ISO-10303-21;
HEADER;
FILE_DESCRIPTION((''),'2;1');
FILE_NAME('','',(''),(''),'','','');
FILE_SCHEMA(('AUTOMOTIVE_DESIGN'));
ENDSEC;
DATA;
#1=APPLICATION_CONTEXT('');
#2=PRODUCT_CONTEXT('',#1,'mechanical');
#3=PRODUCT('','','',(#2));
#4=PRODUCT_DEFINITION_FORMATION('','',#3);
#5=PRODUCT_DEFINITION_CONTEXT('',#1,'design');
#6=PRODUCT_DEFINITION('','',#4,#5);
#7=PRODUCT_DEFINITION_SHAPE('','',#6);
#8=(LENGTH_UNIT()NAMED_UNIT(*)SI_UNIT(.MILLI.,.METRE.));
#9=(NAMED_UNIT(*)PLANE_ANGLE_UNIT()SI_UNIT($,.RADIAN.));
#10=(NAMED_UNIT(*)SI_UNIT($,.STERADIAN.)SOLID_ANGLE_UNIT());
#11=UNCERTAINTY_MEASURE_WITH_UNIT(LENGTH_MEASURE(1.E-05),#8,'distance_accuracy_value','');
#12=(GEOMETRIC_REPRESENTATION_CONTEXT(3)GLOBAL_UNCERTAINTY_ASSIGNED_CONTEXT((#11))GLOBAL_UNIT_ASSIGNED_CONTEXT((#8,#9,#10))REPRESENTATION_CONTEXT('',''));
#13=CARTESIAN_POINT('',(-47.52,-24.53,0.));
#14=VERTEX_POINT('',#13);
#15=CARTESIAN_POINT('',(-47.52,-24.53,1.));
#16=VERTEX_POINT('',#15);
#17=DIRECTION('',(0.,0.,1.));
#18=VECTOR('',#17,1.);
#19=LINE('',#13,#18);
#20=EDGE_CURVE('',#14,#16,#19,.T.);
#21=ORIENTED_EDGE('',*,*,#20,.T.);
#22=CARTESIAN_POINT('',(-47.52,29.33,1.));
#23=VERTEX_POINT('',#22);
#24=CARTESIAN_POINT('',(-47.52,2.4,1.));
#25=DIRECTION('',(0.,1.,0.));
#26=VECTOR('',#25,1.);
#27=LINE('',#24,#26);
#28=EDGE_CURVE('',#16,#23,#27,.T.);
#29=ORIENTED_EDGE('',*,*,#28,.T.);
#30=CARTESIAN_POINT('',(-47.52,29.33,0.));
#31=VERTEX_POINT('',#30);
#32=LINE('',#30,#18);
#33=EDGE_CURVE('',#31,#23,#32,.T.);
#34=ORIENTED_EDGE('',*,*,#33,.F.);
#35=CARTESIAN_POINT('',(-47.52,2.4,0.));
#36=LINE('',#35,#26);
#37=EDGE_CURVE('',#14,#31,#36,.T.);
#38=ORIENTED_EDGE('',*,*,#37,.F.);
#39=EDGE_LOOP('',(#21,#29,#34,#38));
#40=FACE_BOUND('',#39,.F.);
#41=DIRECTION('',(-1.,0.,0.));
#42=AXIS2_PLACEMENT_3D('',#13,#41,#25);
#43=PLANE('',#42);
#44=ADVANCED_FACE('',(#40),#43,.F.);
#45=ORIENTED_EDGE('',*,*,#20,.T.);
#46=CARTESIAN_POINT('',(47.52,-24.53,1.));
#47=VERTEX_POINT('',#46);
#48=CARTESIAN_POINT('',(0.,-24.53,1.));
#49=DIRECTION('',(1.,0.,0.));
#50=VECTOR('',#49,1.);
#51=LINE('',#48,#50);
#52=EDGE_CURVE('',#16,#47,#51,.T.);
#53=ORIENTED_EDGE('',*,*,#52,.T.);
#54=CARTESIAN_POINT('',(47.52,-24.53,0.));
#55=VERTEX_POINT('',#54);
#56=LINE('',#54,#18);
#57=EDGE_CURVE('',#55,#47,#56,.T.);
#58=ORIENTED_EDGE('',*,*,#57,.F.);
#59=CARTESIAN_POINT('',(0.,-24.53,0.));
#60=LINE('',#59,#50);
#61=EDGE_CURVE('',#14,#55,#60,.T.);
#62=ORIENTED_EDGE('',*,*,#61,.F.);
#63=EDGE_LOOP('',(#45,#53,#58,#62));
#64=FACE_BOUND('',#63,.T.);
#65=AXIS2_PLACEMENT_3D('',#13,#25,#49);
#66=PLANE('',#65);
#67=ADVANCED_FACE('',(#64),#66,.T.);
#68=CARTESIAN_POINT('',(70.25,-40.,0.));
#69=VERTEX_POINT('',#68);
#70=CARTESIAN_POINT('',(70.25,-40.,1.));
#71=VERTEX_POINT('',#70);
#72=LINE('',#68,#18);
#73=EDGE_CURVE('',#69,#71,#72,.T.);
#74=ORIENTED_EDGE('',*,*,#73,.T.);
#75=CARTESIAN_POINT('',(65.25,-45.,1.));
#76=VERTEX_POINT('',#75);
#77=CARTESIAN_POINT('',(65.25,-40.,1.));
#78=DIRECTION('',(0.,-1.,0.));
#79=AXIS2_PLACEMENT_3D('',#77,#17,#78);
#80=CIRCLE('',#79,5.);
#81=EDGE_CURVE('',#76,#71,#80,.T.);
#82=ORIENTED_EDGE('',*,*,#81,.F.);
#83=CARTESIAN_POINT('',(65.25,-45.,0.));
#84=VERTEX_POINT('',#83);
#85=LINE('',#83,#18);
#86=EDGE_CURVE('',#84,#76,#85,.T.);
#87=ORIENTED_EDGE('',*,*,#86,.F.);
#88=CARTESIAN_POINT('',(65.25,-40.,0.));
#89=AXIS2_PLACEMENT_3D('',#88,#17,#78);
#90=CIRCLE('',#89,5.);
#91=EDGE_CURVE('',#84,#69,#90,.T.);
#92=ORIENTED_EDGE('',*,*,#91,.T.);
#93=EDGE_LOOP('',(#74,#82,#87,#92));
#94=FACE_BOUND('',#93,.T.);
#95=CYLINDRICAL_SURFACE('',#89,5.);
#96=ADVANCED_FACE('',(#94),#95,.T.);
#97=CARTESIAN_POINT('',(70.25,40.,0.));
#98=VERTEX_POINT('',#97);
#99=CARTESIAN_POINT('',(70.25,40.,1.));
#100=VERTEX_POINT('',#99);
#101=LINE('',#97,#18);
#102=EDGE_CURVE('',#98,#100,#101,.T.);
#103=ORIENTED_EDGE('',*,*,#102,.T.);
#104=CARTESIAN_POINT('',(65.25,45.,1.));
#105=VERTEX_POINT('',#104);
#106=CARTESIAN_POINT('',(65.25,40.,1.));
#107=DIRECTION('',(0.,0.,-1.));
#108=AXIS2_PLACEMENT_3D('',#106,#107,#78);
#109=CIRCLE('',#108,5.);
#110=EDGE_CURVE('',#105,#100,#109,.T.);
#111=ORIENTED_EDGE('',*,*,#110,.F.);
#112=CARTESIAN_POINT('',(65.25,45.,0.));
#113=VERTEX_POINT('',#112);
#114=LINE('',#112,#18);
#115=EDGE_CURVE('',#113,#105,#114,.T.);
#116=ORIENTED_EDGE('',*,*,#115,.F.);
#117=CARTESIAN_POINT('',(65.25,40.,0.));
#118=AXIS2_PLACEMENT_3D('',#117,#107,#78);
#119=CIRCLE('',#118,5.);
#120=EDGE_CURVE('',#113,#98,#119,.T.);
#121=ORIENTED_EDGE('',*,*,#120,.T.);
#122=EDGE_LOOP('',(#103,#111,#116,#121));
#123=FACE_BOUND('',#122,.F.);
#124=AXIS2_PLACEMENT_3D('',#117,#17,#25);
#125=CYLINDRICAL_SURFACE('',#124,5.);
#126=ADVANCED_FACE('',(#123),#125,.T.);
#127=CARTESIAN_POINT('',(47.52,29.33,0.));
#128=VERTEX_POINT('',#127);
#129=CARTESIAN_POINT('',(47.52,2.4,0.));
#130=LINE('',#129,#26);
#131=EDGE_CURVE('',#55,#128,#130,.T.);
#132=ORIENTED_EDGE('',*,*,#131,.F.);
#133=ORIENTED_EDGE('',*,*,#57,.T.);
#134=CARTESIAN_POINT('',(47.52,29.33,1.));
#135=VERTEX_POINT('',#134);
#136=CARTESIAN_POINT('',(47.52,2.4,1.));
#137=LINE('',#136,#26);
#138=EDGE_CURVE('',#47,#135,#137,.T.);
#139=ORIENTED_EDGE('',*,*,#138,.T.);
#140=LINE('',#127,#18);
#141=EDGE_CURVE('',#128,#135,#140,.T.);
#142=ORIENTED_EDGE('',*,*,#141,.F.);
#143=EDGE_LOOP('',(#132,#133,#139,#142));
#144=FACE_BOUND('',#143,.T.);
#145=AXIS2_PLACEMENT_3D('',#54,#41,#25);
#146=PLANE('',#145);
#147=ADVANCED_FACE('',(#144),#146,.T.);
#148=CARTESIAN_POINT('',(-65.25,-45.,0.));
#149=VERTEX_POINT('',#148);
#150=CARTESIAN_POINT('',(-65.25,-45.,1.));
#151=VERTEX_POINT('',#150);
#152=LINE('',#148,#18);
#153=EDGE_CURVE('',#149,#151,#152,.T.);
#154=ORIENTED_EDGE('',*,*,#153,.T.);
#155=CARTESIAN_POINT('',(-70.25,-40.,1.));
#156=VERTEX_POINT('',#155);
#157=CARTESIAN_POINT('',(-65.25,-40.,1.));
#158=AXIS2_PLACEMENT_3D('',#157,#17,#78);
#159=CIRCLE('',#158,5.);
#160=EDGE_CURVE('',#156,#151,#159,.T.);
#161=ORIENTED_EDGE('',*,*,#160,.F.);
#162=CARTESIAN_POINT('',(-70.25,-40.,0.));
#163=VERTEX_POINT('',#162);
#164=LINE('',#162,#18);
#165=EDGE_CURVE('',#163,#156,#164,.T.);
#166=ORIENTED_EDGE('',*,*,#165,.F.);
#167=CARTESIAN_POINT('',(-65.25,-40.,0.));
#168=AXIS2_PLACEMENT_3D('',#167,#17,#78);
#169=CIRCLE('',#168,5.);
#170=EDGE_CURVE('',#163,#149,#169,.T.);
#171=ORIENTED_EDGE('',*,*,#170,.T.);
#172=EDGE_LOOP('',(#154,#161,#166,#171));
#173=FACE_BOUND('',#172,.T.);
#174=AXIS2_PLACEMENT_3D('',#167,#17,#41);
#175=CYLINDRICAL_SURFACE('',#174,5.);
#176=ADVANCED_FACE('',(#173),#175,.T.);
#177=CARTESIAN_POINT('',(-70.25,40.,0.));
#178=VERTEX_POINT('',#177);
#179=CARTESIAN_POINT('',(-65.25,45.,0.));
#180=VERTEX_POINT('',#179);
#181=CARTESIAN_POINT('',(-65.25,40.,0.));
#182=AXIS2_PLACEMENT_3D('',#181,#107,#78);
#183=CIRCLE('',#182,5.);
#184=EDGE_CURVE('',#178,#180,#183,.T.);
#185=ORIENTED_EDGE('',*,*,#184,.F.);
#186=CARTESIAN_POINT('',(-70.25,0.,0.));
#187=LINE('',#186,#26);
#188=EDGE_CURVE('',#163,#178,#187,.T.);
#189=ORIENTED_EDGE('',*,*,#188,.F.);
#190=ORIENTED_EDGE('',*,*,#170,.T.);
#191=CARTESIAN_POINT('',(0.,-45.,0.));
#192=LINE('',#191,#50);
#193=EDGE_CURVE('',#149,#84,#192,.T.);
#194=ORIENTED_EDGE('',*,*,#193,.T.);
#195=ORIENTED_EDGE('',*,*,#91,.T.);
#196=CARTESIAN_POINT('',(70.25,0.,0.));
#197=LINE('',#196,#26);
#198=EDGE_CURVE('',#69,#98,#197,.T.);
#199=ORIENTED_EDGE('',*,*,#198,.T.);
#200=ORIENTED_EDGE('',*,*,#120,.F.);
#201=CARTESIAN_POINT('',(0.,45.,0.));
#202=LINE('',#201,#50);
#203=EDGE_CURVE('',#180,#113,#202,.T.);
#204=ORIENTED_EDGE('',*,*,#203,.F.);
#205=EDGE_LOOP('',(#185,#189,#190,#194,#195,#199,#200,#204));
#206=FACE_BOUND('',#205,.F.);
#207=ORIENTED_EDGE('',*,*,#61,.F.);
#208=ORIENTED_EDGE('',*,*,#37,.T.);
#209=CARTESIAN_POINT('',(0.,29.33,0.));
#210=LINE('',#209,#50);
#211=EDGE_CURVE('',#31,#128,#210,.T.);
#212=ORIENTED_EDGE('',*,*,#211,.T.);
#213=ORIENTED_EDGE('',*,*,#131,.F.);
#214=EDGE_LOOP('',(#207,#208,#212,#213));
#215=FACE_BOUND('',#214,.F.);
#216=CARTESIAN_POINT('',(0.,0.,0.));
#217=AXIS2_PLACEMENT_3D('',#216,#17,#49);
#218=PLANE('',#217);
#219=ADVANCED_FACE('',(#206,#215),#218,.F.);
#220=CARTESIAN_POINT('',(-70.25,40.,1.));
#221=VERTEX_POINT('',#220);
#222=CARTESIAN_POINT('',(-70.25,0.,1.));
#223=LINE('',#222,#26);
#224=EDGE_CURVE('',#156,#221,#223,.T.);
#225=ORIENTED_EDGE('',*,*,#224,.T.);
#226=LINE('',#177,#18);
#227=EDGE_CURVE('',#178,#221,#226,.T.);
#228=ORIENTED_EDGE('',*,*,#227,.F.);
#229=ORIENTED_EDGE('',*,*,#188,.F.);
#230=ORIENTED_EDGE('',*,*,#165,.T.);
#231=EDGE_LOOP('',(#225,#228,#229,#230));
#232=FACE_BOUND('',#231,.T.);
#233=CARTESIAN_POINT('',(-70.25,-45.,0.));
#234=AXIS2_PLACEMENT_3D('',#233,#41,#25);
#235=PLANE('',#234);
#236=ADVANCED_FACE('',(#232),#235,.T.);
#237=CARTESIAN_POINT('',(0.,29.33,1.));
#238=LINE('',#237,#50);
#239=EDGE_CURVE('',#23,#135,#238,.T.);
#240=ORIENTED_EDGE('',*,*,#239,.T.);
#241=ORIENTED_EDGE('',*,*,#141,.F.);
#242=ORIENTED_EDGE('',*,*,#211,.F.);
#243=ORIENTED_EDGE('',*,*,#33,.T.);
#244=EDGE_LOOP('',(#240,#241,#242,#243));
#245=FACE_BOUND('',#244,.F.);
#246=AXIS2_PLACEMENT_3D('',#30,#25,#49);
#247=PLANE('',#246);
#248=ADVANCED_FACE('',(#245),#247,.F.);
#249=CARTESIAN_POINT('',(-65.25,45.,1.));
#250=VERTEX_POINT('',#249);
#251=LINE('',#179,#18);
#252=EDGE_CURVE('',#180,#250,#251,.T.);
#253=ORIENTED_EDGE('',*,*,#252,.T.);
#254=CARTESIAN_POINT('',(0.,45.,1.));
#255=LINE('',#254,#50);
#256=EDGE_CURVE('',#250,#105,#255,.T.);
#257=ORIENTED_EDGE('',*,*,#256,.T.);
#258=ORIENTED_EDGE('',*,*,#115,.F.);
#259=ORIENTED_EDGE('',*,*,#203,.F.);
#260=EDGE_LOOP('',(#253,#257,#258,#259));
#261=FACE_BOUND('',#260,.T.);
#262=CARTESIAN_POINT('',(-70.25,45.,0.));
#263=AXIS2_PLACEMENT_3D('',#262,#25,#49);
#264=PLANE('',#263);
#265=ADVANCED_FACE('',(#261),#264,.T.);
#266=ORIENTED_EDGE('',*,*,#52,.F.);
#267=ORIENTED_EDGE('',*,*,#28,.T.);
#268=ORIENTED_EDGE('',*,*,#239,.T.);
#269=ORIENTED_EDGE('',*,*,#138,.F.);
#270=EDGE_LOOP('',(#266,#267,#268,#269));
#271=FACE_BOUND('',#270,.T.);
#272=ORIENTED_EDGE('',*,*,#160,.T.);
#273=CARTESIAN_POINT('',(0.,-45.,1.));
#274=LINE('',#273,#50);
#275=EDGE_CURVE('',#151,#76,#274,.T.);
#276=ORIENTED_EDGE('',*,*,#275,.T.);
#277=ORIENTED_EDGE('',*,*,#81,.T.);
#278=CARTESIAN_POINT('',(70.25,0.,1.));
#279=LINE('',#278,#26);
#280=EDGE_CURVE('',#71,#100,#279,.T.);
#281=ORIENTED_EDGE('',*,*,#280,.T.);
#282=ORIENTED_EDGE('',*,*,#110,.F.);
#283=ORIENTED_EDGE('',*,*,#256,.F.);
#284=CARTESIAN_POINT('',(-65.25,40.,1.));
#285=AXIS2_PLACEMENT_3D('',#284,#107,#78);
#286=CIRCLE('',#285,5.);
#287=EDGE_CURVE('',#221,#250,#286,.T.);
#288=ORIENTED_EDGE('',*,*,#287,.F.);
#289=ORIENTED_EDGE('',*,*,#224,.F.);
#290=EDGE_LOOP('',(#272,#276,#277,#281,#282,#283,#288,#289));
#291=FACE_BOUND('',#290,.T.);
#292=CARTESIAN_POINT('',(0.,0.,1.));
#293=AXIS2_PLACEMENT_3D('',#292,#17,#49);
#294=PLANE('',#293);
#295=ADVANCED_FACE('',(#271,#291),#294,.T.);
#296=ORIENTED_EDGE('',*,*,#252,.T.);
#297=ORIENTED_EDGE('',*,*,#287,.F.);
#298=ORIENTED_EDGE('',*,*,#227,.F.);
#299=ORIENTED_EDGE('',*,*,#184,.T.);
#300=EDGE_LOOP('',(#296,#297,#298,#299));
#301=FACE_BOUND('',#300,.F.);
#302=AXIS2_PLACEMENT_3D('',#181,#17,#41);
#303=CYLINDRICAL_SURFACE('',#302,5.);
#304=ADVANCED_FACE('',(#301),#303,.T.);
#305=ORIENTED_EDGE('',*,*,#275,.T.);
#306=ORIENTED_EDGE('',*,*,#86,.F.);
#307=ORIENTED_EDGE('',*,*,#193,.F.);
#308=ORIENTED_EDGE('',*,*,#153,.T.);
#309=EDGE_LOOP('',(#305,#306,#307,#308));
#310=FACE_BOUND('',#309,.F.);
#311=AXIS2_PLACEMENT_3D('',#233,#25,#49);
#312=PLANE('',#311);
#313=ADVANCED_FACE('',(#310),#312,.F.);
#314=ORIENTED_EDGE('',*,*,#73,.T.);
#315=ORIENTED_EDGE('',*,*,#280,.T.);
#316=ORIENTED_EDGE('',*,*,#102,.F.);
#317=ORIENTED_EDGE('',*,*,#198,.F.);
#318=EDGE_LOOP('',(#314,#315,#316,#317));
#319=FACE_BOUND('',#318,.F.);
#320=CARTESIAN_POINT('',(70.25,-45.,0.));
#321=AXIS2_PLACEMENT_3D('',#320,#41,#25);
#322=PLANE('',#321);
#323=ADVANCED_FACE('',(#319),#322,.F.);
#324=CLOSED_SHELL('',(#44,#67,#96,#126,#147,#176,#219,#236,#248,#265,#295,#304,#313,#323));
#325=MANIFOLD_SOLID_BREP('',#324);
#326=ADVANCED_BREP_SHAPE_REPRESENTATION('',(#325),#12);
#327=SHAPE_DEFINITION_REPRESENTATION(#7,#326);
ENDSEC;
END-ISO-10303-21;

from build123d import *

# Parameters (mm, degrees)
F0_W     = 140.5
F0_H     = 90
F0_W_2   = 120.5
F0_H_2   = 69.3
F0_W_3   = 95.04
F0_H_3   = 53.86
F1_DEPTH = 1
F2_R     = 5


with BuildPart() as f1:
    # F0 (on Top) → F1 (new body)
    with BuildSketch(Plane.XY):
        Rectangle(F0_W, F0_H)
        Rectangle(F0_W_2, F0_H_2, mode=Mode.SUBTRACT)
        Rectangle(F0_W_2, F0_H_2)
        with Locations((0, 2.4)):
            Rectangle(F0_W_3, F0_H_3, mode=Mode.SUBTRACT)
    extrude(amount=F1_DEPTH)

    # F2
    f2_edges = [f1.edges().sort_by_distance(p)[0] for p in [
        (-70.25, 45, 0.5),
        (-70.25, -45, 0.5),
        (70.25, -45, 0.5),
        (70.25, 45, 0.5),
    ]]
    fillet(f2_edges, radius=F2_R)


solid = f1.part
